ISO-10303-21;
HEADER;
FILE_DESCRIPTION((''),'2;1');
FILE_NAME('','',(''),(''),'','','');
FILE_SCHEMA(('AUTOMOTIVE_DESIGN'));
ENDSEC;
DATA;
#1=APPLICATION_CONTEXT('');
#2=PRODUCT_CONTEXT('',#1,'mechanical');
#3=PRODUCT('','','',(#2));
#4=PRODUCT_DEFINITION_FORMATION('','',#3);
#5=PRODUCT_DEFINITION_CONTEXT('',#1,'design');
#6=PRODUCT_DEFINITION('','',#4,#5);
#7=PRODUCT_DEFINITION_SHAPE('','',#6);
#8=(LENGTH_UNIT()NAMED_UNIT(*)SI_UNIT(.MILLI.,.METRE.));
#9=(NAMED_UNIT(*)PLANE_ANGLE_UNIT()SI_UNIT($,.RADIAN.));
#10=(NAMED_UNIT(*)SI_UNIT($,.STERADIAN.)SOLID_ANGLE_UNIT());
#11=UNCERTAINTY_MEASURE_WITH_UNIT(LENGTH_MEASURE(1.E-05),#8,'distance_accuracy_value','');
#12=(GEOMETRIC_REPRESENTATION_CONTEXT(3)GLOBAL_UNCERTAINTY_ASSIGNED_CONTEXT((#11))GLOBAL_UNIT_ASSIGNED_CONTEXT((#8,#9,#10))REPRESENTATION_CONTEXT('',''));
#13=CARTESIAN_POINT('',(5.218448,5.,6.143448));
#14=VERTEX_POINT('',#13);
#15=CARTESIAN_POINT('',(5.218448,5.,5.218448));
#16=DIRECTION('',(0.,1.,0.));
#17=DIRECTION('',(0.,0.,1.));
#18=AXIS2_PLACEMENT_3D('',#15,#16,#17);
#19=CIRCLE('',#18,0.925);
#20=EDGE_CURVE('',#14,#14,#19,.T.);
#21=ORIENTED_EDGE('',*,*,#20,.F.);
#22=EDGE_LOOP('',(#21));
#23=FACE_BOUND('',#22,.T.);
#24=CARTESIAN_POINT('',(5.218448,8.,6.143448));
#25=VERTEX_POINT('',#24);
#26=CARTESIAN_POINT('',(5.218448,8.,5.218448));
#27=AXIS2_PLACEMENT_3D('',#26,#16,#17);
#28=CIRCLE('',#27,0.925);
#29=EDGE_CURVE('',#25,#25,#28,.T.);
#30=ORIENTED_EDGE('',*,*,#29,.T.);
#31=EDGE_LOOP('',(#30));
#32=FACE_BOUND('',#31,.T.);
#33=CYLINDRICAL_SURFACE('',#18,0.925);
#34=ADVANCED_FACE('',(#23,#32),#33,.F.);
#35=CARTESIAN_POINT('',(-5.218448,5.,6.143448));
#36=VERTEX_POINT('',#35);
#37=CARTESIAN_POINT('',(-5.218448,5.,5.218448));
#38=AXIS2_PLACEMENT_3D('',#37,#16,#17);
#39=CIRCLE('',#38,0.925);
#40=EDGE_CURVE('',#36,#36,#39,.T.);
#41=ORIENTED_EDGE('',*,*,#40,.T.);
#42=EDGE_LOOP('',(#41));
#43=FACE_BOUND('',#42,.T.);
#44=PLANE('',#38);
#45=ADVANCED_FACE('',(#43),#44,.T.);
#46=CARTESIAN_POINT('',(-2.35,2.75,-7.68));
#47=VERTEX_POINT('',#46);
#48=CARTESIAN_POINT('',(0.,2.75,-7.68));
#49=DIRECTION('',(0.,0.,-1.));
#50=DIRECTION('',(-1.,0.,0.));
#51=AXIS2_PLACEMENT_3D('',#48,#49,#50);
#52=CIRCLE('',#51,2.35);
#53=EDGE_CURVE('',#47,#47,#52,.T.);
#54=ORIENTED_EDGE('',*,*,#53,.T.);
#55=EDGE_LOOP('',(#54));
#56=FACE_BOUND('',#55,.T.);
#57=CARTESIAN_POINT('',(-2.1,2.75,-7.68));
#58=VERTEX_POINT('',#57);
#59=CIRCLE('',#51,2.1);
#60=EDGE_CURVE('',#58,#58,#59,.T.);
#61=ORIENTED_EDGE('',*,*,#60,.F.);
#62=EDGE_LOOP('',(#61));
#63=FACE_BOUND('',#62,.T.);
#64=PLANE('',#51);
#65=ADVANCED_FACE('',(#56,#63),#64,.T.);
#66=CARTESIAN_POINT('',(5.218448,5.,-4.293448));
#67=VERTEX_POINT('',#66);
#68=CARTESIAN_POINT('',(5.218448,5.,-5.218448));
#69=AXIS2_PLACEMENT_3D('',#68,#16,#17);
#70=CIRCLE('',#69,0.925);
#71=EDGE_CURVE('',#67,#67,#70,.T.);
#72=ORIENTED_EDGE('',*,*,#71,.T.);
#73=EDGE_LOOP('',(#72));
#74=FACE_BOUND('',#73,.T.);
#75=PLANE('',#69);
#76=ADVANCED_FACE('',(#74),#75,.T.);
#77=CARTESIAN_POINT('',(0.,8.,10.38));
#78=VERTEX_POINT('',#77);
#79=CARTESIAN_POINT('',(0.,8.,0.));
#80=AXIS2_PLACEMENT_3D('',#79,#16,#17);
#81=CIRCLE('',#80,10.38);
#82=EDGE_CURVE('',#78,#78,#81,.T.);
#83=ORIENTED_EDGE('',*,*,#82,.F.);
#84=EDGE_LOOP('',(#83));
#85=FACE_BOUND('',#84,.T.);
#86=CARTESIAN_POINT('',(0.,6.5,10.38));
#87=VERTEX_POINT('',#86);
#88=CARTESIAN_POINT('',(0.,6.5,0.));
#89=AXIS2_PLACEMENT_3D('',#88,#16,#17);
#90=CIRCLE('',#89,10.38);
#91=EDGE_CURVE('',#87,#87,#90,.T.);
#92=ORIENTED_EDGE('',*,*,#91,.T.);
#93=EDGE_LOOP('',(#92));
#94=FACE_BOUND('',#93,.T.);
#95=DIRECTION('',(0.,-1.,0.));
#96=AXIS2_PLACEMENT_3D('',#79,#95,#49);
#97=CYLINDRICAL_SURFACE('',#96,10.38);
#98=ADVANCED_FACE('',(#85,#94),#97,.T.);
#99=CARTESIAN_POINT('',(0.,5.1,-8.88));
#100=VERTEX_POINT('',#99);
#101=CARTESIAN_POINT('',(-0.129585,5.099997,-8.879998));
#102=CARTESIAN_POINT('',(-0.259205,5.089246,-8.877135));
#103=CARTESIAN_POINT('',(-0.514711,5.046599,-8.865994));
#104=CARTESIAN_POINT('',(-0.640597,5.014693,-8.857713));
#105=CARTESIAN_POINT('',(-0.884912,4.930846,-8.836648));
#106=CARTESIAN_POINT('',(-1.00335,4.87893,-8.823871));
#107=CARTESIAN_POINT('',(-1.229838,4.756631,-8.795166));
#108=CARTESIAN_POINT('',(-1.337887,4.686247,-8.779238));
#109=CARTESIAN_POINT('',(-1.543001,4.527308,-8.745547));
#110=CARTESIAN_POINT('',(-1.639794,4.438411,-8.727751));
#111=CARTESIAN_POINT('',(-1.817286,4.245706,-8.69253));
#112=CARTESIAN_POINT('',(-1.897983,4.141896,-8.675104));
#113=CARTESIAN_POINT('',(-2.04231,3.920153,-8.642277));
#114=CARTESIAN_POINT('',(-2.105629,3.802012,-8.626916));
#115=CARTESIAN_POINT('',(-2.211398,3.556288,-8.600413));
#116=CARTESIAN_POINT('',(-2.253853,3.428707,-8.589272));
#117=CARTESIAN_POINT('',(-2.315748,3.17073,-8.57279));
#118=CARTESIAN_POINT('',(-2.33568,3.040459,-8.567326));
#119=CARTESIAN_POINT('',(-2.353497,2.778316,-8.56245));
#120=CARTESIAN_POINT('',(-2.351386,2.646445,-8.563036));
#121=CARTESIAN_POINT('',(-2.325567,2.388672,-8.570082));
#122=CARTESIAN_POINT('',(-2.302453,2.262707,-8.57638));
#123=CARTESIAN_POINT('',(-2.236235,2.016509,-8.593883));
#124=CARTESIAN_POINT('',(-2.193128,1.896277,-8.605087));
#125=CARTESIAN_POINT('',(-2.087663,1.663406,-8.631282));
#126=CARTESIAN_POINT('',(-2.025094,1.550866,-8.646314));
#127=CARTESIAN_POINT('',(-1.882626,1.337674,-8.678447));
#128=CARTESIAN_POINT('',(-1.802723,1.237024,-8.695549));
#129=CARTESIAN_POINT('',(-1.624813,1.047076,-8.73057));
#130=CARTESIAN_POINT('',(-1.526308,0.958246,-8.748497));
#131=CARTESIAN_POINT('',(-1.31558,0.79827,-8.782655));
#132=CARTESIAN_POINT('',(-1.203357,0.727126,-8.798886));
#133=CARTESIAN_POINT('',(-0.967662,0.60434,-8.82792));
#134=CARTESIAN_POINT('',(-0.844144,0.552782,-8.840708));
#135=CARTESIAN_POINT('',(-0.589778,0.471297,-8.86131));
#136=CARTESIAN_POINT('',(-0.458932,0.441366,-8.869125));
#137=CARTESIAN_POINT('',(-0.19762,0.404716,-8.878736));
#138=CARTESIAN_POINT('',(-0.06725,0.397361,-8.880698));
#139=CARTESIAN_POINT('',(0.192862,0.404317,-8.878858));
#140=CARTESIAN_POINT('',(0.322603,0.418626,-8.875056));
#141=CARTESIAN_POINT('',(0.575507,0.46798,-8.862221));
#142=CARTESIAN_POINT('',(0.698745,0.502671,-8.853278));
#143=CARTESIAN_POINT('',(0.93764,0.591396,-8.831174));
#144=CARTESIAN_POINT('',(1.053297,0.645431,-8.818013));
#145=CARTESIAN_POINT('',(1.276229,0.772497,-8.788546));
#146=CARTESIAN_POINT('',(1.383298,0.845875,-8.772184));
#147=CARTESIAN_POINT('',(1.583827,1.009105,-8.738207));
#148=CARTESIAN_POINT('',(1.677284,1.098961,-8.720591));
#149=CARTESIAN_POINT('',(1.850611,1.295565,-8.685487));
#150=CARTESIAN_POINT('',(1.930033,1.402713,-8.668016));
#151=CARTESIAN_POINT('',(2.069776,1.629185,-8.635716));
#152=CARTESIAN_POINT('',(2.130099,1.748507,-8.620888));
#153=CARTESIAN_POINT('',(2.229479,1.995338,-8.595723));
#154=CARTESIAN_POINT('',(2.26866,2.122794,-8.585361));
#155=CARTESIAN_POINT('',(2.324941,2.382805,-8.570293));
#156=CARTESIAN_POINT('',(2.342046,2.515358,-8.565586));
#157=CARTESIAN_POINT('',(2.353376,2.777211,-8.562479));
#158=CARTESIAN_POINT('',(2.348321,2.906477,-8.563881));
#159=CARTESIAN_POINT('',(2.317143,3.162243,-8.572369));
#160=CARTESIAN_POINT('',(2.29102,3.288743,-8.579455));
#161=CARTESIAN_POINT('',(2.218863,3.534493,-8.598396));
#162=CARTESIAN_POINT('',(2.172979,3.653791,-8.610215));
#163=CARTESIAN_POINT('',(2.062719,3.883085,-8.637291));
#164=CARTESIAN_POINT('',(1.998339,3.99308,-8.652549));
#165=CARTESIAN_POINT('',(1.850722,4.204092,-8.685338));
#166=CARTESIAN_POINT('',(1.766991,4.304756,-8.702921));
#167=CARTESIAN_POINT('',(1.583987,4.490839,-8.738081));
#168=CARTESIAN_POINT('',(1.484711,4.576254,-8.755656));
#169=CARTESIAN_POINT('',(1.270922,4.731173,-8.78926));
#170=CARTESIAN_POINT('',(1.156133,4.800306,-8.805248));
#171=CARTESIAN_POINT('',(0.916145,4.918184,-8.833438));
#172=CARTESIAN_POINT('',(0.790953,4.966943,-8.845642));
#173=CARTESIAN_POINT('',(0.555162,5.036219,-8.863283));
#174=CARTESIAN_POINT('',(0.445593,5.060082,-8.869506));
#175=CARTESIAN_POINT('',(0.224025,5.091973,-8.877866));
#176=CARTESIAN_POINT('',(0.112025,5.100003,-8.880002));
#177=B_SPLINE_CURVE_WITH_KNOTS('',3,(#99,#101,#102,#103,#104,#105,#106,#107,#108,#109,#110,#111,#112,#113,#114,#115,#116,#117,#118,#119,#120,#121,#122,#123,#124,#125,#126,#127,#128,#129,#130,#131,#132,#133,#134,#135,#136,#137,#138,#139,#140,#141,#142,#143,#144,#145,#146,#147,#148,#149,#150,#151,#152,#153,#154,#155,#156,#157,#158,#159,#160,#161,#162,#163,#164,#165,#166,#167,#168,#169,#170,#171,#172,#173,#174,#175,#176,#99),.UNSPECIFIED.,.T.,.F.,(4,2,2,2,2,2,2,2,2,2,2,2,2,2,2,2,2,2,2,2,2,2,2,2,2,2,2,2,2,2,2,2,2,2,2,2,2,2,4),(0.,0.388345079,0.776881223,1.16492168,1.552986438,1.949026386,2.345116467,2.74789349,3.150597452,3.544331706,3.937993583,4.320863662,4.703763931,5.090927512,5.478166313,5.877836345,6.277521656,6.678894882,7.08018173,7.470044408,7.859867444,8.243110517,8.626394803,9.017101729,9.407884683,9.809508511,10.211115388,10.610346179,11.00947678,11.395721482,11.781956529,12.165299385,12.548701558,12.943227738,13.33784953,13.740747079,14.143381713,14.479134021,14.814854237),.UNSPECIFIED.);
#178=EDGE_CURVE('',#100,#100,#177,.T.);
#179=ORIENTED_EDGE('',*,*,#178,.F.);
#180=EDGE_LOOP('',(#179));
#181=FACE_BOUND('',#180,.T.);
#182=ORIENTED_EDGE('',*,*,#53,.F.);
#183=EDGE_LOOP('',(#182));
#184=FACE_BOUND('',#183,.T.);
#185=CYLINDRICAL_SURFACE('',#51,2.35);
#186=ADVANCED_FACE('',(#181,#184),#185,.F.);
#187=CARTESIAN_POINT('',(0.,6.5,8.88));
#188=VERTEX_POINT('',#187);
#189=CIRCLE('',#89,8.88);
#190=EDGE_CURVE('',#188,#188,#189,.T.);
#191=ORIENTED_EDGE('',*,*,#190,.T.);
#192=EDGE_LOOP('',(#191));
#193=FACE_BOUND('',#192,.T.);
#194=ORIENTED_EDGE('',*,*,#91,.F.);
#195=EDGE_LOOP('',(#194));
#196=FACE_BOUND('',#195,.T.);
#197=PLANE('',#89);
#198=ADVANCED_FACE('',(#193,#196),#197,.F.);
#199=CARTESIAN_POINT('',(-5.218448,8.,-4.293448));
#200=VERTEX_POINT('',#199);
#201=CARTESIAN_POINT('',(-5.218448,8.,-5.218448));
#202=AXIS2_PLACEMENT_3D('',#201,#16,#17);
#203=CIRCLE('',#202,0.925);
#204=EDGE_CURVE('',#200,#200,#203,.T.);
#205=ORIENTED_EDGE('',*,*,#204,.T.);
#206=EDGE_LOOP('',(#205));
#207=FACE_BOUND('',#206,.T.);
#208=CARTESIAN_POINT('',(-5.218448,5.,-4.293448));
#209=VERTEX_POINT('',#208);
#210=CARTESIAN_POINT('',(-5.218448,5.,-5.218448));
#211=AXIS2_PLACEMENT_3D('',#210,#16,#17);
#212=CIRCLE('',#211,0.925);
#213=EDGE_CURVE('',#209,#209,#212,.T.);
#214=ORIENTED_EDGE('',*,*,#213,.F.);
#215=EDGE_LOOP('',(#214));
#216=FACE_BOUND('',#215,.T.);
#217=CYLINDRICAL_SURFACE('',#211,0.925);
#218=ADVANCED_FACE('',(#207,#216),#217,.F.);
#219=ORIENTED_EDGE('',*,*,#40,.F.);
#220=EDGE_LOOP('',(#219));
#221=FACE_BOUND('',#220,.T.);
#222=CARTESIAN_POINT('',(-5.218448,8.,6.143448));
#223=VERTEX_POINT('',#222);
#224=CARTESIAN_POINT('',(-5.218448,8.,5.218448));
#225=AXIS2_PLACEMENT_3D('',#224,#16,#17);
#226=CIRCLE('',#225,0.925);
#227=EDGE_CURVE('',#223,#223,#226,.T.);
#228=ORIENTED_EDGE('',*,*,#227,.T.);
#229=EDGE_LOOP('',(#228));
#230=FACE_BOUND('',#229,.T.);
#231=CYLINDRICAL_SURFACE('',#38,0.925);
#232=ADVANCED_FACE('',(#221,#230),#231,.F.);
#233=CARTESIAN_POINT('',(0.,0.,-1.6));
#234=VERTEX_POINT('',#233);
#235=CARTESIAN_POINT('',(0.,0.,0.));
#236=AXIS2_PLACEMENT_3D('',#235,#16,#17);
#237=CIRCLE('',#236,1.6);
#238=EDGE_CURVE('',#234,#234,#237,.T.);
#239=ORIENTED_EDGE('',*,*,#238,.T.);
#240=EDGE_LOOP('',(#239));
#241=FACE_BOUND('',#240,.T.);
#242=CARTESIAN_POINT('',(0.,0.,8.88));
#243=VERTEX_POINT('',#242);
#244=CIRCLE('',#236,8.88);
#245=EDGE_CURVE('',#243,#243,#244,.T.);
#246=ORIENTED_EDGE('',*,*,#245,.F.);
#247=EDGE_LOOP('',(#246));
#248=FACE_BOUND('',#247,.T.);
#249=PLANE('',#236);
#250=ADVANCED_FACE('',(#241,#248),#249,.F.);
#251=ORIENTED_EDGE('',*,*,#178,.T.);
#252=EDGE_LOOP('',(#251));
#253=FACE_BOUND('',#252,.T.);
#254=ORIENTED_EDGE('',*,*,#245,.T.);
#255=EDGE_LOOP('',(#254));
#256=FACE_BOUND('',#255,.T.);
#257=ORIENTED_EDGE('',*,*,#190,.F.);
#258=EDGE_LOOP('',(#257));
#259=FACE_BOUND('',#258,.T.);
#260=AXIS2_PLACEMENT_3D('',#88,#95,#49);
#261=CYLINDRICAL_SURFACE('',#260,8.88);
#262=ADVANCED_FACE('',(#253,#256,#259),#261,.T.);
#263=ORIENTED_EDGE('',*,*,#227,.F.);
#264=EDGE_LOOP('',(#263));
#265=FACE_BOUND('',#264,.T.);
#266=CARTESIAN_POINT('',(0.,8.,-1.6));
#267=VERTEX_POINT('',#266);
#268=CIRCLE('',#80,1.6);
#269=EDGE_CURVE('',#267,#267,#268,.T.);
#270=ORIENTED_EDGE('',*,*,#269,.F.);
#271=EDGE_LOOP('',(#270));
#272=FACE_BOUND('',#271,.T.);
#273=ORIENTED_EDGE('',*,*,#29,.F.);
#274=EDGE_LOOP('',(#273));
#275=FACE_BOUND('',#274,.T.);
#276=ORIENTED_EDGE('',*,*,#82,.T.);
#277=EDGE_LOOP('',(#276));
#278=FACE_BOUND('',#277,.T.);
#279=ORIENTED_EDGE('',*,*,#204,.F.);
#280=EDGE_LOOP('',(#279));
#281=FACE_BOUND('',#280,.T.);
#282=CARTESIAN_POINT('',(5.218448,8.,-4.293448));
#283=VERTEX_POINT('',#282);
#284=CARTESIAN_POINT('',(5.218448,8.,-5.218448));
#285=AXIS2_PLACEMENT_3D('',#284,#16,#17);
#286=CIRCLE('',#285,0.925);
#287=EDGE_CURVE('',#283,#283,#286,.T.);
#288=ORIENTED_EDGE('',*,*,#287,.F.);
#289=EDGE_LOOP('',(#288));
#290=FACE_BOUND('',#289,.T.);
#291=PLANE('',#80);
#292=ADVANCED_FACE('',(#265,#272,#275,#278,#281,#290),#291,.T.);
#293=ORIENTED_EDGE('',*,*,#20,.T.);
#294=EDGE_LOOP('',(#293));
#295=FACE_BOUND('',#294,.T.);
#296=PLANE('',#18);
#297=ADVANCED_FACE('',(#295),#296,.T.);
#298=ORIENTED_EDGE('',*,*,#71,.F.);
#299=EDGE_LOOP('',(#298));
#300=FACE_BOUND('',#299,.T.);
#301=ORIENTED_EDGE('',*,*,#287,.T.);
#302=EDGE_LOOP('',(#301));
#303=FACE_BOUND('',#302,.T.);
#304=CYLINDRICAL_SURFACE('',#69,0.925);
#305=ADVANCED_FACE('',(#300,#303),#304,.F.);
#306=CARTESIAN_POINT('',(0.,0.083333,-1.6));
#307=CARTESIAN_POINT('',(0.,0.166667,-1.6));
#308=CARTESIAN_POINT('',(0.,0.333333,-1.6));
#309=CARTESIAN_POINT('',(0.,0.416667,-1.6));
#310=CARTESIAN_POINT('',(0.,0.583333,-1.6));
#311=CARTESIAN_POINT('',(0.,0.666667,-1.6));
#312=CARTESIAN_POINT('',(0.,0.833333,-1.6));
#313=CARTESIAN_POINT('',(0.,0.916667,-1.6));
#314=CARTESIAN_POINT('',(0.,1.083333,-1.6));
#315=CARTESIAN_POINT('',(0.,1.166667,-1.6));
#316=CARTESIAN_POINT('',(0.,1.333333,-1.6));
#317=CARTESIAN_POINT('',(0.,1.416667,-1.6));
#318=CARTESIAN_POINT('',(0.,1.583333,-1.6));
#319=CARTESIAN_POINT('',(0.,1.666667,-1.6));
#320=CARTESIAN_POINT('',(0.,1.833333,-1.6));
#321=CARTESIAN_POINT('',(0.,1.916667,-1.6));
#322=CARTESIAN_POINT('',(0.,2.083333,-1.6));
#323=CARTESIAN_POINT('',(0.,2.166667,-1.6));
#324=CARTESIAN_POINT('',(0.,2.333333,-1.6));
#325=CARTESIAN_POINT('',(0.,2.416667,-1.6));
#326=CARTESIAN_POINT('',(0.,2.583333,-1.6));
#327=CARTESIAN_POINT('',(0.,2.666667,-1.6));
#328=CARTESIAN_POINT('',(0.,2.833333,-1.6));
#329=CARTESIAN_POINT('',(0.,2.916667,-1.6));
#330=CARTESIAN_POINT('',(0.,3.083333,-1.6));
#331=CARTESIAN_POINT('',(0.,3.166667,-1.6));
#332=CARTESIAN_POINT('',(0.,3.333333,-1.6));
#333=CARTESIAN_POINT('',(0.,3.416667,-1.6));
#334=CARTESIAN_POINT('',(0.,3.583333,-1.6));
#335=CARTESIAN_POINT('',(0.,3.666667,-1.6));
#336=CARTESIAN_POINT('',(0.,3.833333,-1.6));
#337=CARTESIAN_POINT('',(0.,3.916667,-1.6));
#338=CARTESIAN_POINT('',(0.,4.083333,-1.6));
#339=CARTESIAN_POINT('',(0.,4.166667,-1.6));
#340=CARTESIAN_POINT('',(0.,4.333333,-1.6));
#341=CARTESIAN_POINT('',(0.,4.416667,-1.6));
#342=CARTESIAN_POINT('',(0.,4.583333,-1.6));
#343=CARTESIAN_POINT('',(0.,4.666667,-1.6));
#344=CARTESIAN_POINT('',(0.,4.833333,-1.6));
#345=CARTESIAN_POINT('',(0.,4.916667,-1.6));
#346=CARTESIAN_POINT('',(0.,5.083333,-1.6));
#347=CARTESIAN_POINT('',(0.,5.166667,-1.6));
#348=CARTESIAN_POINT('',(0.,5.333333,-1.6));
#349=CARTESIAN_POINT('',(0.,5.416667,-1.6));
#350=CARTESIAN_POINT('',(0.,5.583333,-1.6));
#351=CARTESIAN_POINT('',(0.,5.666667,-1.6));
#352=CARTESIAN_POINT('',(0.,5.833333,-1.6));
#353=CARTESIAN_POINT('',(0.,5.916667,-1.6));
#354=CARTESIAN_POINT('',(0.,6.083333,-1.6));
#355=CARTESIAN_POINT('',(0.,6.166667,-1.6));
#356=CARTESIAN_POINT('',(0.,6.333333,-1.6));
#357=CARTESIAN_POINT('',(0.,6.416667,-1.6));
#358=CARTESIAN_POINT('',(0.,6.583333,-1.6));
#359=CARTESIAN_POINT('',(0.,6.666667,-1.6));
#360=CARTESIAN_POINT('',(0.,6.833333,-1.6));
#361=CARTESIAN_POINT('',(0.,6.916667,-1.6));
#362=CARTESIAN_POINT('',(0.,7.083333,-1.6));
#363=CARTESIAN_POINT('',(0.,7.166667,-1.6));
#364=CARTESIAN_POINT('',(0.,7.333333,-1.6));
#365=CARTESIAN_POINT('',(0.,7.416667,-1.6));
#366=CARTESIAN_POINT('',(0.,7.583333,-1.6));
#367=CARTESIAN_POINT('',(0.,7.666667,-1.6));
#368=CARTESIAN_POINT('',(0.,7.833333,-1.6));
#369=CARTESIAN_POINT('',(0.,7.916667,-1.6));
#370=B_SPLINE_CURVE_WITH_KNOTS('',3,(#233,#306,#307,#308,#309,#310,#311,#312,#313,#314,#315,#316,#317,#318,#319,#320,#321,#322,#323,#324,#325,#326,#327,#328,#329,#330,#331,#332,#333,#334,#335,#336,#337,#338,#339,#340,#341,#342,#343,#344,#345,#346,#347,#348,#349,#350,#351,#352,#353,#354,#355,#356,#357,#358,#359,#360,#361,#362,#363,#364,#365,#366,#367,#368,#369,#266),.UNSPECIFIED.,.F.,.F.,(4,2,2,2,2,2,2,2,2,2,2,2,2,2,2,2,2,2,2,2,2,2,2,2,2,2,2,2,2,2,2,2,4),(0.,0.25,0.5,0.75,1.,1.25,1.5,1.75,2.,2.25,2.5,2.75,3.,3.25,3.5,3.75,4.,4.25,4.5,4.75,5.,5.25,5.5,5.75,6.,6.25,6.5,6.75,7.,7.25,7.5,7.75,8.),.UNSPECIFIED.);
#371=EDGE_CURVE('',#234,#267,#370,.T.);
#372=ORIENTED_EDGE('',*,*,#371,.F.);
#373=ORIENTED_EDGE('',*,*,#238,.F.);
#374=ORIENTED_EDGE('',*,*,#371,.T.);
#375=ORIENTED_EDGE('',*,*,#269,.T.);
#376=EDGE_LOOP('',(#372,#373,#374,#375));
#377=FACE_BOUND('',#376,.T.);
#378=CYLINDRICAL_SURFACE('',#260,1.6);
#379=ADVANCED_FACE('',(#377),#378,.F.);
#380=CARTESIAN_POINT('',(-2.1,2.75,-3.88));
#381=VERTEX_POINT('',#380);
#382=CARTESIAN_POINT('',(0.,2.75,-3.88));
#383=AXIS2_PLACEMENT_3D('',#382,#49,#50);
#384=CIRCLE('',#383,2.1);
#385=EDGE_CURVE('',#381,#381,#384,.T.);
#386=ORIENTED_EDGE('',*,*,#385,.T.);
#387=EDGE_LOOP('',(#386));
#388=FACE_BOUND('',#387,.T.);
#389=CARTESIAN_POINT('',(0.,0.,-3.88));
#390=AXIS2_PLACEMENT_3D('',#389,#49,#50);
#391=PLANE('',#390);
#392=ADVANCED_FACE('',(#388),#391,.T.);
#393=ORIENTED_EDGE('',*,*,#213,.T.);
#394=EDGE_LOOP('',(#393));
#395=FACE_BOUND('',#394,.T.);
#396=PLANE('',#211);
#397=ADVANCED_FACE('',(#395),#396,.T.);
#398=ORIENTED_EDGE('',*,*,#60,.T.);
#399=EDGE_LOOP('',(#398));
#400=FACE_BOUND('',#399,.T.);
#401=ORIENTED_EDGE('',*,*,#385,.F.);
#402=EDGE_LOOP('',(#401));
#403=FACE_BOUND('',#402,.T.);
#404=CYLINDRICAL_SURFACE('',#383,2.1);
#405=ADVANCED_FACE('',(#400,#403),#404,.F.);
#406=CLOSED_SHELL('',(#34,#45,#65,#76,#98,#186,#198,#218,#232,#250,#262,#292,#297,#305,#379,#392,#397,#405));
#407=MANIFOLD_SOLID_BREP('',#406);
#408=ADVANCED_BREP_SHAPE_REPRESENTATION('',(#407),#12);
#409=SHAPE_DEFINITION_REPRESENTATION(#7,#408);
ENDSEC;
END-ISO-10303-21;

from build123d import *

# Parameters (mm, degrees)
SKETCH1_R           = 8.88
SKETCH1_R_2         = 1.6
BOSS_EXTRUDE1_DEPTH = 6.5
BOSS_EXTRUDE2_START = 6.5
SKETCH1_3_R         = 10.38
SKETCH1_3_R_2       = 1.6
BOSS_EXTRUDE2_DEPTH = 1.5
SKETCH2_R           = 2.35
SKETCH2_R_2         = 2.1
CUT_EXTRUDE1_DEPTH  = 1.2
SKETCH2_2_R         = 2.1
CUT_EXTRUDE2_DEPTH  = 5
SKETCH3_R           = 0.925
CUT_EXTRUDE3_DEPTH  = 3


with BuildPart() as part:
    # Sketch1 → Boss-Extrude1 (new body)
    with BuildSketch(Plane(origin=(0, 0, 0), x_dir=(1, 0, 0), z_dir=(0, 1, 0))):
        with Locations(Location((0, 0, 0), (0, 0, 90))):
            Circle(SKETCH1_R)
        with Locations(Location((0, 0, 0), (0, 0, 90))):
            Circle(SKETCH1_R_2, mode=Mode.SUBTRACT)
    extrude(amount=BOSS_EXTRUDE1_DEPTH)

    # Sketch1<3> → Boss-Extrude2 (add)
    with BuildSketch(Plane(origin=(0, 0, 0), x_dir=(1, 0, 0), z_dir=(0, 1, 0)).offset(BOSS_EXTRUDE2_START)):
        with Locations(Location((0, 0, 0), (0, 0, 270))):
            Circle(SKETCH1_3_R)
        with Locations(Location((0, 0, 0), (0, 0, 90))):
            Circle(SKETCH1_3_R_2, mode=Mode.SUBTRACT)
    extrude(amount=BOSS_EXTRUDE2_DEPTH)

    # Sketch2 → Cut-Extrude1 (cut)
    with BuildSketch(Plane(origin=(0, 0, -8.88), x_dir=(-1, 0, 0), z_dir=(0, 0, -1))):
        with Locations((0, 2.75)):
            Circle(SKETCH2_R)
        with Locations((0, 2.75)):
            Circle(SKETCH2_R_2, mode=Mode.SUBTRACT)
    extrude(amount=-CUT_EXTRUDE1_DEPTH, mode=Mode.SUBTRACT)

    # Sketch2<2> → Cut-Extrude2 (cut)
    with BuildSketch(Plane(origin=(0, 0, -8.88), x_dir=(-1, 0, 0), z_dir=(0, 0, -1))):
        with Locations((0, 2.75)):
            Circle(SKETCH2_2_R)
    extrude(amount=-CUT_EXTRUDE2_DEPTH, mode=Mode.SUBTRACT)

    # Sketch3 → Cut-Extrude3 (cut)
    with BuildSketch(Plane(origin=(0, 8, 0), x_dir=(1, 0, 0), z_dir=(0, 1, 0))):
        with Locations(Location((-5.218448045, 5.218448045, 0), (0, 0, 270))):
            Circle(SKETCH3_R)
        with Locations(Location((-5.218448045, -5.218448045, 0), (0, 0, 270))):
            Circle(SKETCH3_R)
        with Locations(Location((5.218448045, -5.218448045, 0), (0, 0, 270))):
            Circle(SKETCH3_R)
        with Locations(Location((5.218448045, 5.218448045, 0), (0, 0, 270))):
            Circle(SKETCH3_R)
    extrude(amount=-CUT_EXTRUDE3_DEPTH, mode=Mode.SUBTRACT)


solid = part.part
